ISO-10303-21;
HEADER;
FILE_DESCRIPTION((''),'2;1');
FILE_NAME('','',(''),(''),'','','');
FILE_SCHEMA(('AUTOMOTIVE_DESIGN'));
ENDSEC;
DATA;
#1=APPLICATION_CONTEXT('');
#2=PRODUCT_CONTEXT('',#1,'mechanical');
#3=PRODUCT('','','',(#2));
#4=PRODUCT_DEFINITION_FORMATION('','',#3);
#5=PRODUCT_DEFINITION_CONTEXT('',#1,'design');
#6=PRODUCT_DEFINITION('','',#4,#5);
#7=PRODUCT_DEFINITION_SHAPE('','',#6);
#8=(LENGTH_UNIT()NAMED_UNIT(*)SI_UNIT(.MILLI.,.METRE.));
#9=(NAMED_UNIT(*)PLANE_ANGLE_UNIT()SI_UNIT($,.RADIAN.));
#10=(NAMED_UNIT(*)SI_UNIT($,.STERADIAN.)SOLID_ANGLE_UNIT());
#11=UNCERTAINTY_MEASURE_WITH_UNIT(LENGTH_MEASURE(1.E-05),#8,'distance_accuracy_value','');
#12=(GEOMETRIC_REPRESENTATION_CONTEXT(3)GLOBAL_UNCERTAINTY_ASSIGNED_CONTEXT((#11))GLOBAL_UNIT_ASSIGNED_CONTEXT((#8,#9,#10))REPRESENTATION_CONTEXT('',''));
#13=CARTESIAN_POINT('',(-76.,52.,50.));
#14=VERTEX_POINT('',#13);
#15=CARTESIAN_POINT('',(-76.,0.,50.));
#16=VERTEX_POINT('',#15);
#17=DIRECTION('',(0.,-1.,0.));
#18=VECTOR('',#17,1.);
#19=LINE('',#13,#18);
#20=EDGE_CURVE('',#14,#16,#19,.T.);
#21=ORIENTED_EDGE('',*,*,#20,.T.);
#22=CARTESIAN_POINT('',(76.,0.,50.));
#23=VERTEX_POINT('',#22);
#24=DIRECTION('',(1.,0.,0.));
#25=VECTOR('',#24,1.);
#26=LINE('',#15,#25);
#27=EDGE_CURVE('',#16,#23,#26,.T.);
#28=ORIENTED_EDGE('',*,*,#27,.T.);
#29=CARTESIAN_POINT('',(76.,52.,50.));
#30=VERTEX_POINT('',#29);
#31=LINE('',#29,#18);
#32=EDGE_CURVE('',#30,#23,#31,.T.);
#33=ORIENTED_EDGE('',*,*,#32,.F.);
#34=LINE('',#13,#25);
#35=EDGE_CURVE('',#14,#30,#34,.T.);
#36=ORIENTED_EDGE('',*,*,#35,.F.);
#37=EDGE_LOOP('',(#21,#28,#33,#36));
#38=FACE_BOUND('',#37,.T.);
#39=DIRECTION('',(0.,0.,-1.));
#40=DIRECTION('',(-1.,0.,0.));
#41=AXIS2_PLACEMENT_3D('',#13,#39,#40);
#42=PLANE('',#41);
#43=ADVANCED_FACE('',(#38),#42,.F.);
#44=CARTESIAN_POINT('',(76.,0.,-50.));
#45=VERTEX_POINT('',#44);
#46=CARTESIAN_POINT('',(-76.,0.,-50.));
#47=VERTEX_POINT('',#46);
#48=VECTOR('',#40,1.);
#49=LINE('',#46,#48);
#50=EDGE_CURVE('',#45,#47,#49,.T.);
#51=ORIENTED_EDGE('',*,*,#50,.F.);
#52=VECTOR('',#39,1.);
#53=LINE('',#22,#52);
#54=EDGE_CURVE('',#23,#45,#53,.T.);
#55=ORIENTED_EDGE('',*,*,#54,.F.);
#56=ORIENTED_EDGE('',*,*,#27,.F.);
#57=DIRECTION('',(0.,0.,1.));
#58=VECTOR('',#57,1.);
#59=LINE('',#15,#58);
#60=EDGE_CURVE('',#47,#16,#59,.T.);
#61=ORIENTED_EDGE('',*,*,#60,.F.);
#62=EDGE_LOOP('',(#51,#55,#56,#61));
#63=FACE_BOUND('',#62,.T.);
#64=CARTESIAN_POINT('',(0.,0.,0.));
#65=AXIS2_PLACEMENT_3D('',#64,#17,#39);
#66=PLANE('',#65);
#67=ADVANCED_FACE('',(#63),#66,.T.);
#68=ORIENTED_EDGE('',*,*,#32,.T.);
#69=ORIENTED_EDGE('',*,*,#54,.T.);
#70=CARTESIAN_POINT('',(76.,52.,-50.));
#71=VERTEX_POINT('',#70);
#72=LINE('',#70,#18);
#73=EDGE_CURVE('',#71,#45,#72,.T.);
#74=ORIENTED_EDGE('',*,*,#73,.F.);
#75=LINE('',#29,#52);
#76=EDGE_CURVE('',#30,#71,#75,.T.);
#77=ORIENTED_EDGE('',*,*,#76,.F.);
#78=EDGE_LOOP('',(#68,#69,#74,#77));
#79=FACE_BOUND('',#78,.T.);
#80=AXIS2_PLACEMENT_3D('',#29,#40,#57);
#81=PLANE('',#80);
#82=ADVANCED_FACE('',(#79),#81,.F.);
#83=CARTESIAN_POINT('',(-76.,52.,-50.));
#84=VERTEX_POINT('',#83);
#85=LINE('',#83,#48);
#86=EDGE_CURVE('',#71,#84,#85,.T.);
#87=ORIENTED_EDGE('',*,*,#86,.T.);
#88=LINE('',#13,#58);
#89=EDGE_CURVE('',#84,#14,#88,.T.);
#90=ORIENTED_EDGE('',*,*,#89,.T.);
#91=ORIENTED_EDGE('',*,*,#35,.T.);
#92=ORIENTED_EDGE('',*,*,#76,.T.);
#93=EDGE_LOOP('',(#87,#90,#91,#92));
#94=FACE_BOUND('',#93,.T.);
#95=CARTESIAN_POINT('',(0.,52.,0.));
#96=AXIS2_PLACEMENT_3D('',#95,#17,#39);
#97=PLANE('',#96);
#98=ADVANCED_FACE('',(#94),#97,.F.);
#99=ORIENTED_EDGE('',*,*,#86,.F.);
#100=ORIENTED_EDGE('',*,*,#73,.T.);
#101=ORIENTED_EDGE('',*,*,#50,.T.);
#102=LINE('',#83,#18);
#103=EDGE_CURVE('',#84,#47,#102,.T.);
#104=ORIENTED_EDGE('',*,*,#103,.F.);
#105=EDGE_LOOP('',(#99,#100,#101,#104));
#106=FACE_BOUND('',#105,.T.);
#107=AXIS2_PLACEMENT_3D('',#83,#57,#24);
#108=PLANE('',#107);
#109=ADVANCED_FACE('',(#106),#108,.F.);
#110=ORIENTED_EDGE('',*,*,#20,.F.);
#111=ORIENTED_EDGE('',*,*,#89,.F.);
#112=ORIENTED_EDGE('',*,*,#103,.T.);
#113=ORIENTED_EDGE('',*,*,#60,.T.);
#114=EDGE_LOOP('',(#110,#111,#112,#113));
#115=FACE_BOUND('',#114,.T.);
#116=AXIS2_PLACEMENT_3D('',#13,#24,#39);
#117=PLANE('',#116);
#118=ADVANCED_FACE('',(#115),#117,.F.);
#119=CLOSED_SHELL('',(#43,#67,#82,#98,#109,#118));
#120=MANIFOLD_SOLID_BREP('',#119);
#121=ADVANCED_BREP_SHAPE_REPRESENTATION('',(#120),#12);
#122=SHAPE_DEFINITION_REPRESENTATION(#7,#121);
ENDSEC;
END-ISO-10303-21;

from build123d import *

# Parameters (mm, degrees)
SKETCH_1_W      = 152
SKETCH_1_H      = 100
EXTRUDE_1_DEPTH = 52


with BuildPart() as part:
    # 草图1 → 凸台-拉伸1 (new body)
    with BuildSketch(Plane(origin=(0, 0, 0), x_dir=(1, 0, 0), z_dir=(0, 1, 0))):
        Rectangle(SKETCH_1_W, SKETCH_1_H)
    extrude(amount=EXTRUDE_1_DEPTH)


solid = part.part
